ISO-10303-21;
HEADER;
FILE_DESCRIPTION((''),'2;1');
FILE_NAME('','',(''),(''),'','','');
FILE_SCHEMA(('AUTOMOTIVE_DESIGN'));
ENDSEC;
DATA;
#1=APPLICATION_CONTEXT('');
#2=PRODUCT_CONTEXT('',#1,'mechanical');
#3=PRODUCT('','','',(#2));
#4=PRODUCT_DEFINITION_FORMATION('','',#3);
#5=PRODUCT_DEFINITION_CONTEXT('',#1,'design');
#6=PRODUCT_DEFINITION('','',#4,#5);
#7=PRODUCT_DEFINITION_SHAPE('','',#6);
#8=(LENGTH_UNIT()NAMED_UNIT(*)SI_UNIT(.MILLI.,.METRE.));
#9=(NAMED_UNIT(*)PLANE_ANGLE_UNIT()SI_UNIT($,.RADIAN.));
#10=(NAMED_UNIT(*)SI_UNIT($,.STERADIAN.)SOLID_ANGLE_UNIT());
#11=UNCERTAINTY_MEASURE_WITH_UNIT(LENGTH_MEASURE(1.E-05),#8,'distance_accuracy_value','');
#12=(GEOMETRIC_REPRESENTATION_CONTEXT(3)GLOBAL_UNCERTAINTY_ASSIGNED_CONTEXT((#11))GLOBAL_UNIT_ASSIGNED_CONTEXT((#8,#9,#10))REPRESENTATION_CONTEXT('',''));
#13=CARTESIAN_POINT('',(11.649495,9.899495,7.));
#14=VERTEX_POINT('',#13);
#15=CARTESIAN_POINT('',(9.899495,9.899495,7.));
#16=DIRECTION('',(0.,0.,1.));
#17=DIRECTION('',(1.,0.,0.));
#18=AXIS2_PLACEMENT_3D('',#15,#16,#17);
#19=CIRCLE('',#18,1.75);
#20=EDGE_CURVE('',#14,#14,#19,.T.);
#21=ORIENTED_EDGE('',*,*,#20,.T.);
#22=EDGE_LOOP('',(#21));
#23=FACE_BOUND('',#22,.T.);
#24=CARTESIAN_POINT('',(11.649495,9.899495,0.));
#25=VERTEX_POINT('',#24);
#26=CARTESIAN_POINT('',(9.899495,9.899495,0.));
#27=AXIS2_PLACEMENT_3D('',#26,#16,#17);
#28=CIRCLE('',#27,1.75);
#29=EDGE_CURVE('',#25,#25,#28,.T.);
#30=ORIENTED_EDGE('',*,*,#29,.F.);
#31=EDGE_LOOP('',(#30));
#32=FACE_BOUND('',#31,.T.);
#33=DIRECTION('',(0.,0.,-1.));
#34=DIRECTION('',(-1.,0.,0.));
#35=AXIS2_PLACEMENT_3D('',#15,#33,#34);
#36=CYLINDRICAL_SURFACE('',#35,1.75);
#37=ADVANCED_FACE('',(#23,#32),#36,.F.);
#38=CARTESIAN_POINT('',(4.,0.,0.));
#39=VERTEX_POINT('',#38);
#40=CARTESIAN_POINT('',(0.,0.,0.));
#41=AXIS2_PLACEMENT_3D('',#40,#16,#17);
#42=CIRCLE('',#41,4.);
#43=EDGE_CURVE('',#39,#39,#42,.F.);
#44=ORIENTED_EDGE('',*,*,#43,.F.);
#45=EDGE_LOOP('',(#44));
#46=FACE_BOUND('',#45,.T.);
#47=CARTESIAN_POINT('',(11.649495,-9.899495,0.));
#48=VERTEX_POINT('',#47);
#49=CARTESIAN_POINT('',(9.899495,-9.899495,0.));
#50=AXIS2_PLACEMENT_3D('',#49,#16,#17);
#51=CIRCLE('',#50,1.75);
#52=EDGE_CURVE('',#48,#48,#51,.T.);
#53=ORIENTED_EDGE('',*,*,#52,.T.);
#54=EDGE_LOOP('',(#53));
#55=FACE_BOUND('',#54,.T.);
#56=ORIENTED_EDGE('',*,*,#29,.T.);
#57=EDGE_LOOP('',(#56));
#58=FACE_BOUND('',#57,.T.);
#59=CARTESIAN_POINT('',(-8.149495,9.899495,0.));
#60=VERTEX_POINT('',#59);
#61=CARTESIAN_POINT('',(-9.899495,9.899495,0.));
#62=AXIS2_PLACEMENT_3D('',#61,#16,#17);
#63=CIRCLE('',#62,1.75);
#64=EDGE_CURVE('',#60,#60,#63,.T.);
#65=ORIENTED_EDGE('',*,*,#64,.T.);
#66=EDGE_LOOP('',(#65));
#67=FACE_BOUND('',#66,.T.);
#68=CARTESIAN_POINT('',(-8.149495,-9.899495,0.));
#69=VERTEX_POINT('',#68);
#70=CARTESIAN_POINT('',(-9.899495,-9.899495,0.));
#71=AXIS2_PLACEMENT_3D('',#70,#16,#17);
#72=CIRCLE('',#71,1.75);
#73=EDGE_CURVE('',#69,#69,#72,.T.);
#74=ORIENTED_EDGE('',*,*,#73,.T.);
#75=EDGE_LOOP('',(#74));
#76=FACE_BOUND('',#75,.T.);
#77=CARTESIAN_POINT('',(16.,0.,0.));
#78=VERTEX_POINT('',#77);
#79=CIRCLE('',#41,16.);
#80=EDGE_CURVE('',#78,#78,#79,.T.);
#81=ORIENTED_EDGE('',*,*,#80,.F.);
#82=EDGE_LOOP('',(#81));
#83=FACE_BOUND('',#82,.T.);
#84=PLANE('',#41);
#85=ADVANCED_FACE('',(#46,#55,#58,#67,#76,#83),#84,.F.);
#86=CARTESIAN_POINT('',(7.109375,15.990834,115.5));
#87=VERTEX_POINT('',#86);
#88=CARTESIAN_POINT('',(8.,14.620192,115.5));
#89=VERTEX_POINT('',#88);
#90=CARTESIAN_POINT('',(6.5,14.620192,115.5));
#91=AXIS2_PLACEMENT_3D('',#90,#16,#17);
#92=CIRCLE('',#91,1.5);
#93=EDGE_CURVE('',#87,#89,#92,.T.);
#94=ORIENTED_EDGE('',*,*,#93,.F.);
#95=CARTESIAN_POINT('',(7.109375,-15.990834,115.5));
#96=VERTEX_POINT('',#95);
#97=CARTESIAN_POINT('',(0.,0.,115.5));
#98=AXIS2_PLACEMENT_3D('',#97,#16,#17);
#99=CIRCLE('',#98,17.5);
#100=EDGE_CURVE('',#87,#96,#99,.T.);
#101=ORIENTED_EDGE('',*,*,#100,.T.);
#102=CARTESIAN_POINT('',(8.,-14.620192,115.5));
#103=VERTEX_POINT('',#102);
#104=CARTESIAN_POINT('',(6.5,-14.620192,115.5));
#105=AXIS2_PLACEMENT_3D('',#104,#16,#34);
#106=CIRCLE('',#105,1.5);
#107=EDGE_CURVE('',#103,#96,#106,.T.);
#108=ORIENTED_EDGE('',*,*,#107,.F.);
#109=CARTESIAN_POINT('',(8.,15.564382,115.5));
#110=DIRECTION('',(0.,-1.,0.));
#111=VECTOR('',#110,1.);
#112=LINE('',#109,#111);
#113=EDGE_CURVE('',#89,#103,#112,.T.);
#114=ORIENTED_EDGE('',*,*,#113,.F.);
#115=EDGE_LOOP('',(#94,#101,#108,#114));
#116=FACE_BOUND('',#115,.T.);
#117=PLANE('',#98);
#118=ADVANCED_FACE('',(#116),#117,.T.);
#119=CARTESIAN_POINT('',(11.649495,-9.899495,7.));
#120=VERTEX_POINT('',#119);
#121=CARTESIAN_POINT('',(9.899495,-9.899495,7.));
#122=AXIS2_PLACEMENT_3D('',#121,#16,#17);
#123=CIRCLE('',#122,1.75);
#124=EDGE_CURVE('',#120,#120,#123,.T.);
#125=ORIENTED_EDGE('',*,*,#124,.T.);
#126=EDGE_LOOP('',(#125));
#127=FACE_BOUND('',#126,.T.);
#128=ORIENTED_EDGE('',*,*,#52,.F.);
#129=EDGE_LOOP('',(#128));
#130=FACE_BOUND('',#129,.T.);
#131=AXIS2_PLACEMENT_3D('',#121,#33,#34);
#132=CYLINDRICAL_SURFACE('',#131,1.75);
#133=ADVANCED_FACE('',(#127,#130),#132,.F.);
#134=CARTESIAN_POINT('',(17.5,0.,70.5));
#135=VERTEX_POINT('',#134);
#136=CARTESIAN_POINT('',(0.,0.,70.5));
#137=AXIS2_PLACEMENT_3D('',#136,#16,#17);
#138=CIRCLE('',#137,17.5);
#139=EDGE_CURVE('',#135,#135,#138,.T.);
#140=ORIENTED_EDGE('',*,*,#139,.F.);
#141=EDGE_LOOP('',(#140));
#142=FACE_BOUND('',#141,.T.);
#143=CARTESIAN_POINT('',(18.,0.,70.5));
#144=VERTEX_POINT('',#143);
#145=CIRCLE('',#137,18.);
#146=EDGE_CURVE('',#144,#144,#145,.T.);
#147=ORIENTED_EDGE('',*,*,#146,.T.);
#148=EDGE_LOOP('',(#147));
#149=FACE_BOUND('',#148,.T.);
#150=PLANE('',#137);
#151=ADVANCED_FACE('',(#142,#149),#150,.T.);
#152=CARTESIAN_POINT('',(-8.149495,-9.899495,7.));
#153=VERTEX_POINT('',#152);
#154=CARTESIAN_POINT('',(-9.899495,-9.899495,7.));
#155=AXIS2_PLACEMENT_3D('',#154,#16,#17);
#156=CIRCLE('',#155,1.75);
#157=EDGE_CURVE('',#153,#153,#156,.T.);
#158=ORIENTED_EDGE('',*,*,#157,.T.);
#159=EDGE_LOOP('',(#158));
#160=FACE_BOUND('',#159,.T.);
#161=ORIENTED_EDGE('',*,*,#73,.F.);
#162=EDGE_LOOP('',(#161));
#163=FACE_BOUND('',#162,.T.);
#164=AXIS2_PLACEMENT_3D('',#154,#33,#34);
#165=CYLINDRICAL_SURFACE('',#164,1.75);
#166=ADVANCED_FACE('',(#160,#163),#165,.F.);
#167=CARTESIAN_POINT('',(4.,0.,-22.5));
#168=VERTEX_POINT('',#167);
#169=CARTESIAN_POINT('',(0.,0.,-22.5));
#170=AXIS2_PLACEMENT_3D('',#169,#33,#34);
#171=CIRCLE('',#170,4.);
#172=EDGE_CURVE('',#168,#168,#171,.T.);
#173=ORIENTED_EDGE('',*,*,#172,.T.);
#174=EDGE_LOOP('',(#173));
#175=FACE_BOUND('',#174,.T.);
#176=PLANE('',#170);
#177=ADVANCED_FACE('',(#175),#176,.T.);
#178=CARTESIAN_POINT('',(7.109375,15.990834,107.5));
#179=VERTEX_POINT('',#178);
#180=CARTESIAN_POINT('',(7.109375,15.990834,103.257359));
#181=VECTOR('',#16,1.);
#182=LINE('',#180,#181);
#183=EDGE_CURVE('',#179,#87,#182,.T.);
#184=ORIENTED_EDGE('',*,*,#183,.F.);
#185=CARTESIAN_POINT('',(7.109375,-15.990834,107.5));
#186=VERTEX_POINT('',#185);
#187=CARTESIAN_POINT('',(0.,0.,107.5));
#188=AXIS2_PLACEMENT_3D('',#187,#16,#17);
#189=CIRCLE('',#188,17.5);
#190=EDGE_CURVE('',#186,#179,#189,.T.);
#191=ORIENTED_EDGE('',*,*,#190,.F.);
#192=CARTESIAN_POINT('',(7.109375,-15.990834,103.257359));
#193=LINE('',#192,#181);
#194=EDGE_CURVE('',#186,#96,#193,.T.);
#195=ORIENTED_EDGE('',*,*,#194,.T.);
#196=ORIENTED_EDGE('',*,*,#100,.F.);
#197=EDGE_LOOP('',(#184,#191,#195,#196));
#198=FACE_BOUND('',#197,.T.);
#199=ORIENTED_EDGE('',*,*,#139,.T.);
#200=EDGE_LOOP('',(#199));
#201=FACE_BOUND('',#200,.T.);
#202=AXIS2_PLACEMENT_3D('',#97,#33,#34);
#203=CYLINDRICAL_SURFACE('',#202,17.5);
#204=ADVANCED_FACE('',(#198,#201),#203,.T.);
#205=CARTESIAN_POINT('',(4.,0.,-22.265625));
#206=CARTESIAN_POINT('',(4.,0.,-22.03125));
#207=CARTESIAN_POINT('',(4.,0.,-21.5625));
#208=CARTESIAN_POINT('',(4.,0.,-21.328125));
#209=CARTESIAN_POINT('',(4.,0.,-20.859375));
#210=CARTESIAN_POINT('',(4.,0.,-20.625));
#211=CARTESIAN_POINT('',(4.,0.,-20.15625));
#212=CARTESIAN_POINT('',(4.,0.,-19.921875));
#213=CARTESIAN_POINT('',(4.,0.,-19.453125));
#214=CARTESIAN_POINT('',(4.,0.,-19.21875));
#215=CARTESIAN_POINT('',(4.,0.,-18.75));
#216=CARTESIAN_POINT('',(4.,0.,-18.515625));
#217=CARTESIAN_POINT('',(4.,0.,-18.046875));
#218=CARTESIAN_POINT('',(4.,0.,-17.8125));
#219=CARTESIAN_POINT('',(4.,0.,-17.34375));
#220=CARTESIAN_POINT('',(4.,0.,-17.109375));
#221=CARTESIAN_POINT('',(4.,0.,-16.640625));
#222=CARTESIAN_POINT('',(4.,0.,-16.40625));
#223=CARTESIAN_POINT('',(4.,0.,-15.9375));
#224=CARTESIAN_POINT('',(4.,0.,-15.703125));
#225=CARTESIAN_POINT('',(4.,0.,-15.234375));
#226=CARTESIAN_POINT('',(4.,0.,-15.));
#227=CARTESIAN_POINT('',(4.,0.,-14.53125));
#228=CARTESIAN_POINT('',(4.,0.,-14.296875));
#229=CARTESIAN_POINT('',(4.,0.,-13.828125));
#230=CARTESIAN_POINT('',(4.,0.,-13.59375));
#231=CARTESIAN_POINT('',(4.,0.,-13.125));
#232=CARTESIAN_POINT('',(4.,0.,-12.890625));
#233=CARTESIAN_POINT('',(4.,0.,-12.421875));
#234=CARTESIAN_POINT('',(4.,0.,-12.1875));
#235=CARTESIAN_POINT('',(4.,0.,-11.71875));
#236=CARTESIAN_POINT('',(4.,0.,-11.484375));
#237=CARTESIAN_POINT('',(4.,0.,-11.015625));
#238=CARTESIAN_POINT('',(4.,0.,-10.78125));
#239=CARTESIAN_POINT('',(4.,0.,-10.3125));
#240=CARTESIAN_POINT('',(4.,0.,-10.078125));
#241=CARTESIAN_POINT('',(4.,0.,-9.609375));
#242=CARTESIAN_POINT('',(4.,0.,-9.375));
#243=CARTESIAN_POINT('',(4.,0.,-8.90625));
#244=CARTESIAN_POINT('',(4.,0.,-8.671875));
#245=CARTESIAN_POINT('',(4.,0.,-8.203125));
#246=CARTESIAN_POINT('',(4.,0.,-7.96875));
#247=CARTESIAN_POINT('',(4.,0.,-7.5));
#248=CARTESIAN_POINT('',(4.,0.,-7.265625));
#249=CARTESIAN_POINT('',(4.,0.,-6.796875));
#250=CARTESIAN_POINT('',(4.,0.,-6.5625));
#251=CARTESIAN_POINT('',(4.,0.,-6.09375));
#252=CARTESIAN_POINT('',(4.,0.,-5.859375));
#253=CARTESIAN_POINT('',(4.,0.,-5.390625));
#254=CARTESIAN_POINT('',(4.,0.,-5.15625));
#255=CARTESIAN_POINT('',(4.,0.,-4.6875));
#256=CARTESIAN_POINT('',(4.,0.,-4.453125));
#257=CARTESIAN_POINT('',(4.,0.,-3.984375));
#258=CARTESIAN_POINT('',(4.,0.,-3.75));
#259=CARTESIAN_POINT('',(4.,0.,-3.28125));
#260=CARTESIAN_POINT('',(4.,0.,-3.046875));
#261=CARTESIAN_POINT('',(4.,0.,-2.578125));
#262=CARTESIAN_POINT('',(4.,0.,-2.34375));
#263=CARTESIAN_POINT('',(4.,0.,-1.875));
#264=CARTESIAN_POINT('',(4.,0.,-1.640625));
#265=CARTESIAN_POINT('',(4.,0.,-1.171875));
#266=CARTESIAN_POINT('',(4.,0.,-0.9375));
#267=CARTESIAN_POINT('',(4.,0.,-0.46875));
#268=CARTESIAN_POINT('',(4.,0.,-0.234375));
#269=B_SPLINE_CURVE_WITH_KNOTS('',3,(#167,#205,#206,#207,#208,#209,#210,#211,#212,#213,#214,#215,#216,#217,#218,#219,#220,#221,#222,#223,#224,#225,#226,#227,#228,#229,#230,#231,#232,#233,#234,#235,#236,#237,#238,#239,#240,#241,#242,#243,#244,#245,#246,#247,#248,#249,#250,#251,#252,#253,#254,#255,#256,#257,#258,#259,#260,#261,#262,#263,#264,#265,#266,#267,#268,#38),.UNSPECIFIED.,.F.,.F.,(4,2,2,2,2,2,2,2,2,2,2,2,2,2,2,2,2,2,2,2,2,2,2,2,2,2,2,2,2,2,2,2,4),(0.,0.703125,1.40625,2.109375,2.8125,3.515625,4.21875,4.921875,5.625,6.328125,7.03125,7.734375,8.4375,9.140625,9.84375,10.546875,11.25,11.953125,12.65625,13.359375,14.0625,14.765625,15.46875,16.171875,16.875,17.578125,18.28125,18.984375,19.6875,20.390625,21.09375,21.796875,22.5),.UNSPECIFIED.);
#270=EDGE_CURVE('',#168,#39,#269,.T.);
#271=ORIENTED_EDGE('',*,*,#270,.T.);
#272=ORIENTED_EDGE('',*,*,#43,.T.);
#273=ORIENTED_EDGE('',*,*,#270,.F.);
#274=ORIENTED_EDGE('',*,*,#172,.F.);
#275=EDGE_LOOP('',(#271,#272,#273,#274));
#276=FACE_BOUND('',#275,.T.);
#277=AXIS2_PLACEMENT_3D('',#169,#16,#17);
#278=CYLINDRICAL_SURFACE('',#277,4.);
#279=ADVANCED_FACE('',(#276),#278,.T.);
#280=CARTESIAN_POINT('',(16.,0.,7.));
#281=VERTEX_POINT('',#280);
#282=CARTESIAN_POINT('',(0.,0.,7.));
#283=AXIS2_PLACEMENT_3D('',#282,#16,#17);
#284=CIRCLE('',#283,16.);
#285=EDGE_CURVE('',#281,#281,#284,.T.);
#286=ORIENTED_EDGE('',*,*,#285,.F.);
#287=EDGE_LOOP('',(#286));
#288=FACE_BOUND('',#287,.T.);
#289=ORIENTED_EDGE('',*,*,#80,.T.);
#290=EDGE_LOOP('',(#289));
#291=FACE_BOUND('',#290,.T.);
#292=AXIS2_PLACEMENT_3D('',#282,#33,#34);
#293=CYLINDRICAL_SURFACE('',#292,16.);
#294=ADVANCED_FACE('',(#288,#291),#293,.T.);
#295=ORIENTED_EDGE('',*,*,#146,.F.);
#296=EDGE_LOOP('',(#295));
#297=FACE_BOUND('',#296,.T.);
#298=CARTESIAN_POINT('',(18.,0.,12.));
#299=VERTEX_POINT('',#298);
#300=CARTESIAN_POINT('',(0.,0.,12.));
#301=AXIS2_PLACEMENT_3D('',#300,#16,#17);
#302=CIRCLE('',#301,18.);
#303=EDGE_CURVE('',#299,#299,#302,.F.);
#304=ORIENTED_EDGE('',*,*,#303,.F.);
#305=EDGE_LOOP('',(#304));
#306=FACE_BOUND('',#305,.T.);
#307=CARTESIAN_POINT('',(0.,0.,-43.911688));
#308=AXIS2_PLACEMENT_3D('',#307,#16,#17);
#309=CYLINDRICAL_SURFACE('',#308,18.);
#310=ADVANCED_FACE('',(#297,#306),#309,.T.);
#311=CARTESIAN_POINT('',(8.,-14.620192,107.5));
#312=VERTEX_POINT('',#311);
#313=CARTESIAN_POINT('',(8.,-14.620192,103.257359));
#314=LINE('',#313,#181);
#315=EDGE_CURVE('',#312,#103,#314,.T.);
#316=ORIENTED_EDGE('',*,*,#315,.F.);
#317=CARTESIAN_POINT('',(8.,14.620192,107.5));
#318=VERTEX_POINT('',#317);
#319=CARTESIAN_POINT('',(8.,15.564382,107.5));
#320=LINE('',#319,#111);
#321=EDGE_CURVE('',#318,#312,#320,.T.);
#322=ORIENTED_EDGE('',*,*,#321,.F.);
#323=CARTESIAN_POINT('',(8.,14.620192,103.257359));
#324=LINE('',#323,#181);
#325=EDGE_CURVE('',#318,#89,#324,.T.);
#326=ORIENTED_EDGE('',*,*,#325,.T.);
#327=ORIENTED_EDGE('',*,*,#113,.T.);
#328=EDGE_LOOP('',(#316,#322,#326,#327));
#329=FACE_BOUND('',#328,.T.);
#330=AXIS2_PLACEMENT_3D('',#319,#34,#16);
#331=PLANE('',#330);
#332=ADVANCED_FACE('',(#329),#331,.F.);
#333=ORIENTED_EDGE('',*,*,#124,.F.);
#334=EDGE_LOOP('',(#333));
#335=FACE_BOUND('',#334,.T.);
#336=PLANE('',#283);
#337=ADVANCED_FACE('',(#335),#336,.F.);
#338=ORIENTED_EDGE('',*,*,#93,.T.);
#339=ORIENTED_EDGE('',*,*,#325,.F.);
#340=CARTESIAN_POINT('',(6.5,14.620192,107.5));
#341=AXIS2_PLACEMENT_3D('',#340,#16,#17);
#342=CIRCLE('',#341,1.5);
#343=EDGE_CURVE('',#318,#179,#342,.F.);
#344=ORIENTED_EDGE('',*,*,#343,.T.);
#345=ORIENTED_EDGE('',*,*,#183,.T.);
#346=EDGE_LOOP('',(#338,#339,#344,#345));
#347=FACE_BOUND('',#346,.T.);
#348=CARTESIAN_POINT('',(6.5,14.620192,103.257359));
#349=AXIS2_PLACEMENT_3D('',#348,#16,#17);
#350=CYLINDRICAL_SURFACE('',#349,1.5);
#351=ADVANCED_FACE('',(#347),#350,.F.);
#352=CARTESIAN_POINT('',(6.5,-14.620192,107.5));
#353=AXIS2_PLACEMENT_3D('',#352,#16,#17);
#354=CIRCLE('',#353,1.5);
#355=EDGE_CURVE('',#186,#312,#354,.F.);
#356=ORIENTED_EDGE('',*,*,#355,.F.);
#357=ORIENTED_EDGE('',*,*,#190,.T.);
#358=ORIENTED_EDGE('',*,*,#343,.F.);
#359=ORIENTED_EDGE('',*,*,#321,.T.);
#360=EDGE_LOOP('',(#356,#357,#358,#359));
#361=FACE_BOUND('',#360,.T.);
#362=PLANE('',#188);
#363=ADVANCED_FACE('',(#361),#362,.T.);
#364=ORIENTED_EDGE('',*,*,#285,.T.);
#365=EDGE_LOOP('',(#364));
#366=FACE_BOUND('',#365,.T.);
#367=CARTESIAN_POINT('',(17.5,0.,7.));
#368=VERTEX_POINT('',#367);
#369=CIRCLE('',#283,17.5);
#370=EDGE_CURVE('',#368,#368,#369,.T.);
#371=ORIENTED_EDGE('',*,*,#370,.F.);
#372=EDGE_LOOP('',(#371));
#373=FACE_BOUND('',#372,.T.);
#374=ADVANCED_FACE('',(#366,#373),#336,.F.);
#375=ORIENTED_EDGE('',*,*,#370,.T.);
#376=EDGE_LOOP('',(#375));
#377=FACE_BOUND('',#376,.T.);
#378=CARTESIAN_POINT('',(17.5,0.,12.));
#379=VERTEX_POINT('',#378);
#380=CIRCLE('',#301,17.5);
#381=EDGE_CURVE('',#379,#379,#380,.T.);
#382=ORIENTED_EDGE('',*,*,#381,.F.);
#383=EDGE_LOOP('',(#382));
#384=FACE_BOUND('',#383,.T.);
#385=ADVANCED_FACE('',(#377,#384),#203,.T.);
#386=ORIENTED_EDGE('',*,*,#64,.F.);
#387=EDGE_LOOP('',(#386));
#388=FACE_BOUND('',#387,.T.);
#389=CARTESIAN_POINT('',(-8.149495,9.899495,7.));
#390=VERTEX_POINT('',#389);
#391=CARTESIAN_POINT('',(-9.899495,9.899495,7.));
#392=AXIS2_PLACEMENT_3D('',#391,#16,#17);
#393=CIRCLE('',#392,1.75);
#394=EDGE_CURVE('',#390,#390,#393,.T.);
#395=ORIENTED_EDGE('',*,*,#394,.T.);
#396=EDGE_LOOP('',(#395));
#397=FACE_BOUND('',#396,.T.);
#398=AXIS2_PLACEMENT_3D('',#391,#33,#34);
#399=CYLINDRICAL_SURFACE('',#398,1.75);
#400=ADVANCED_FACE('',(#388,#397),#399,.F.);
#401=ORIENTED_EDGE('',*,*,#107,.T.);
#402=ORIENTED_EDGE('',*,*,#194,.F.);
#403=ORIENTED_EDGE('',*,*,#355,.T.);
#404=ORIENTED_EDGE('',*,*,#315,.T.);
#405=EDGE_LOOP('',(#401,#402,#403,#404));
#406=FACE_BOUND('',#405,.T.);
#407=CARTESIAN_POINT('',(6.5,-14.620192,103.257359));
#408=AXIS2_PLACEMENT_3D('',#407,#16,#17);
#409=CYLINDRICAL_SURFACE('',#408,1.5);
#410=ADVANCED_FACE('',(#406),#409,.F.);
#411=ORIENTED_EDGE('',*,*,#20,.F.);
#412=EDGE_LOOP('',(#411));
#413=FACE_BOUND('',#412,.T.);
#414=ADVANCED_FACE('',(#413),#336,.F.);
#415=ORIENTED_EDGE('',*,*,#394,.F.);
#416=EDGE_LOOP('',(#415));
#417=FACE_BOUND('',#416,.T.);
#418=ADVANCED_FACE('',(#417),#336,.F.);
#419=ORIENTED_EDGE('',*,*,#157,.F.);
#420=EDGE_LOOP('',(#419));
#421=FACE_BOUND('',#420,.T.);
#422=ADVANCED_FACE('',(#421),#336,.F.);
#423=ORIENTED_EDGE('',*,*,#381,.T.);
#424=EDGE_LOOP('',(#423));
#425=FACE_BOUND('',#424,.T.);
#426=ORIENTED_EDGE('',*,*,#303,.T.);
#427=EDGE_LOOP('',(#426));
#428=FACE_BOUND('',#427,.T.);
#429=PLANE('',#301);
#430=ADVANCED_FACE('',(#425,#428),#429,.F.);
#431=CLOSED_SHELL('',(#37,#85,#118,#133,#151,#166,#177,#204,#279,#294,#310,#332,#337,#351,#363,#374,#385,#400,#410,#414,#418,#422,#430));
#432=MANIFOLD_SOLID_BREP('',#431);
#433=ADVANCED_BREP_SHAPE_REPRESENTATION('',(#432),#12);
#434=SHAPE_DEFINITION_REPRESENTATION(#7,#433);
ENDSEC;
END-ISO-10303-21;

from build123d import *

# Parameters (mm, degrees)
SKETCH1_R           = 16
SKETCH1_R_2         = 1.75
SKETCH1_R_3         = 11.25
BOSS_EXTRUDE1_DEPTH = 7
SKETCH2_R           = 17.5
BOSS_EXTRUDE2_DEPTH = 108.5
SKETCH3_R           = 4
BOSS_EXTRUDE3_DEPTH = 22.5
BOSS_EXTRUDE4_START = -103.5
SKETCH4_R           = 18
SKETCH4_R_2         = 17.5
BOSS_EXTRUDE4_DEPTH = 58.5
CUT_EXTRUDE1_START  = -8
CUT_EXTRUDE1_DEPTH  = 8
CUT_EXTRUDE3_START  = -8
CUT_EXTRUDE3_DEPTH  = 8


with BuildPart() as part:
    # Sketch1 → Boss-Extrude1 (new body)
    # profile 1 of 2: a face of its own
    with BuildSketch(Plane.XY):
        Circle(SKETCH1_R)
        with Locations((9.899494937, 9.899494937)):
            Circle(SKETCH1_R_2, mode=Mode.SUBTRACT)
        with Locations((-9.899494937, 9.899494937)):
            Circle(SKETCH1_R_2, mode=Mode.SUBTRACT)
        with Locations((-9.899494937, -9.899494937)):
            Circle(SKETCH1_R_2, mode=Mode.SUBTRACT)
        with Locations((9.899494937, -9.899494937)):
            Circle(SKETCH1_R_2, mode=Mode.SUBTRACT)
        Circle(SKETCH1_R_3, mode=Mode.SUBTRACT)
    # profile 2 of 2: a face of its own
    with BuildSketch(Plane.XY):
        Circle(SKETCH1_R_3)
    extrude(amount=BOSS_EXTRUDE1_DEPTH)

    # Sketch2 → Boss-Extrude2 (add)
    with BuildSketch(Plane.XY.offset(7)):
        Circle(SKETCH2_R)
    extrude(amount=BOSS_EXTRUDE2_DEPTH)

    # Sketch3 → Boss-Extrude3 (add)
    with BuildSketch(Plane(origin=(0, 0, 0), x_dir=(-1, 0, 0), z_dir=(0, 0, -1))):
        with Locations(Location((0, 0, 0), (0, 0, 180))):
            Circle(SKETCH3_R)
    extrude(amount=BOSS_EXTRUDE3_DEPTH)

    # Sketch4 → Boss-Extrude4 (add)
    with BuildSketch(Plane.XY.offset(115.5).offset(BOSS_EXTRUDE4_START)):
        Circle(SKETCH4_R)
        Circle(SKETCH4_R_2, mode=Mode.SUBTRACT)
    extrude(amount=BOSS_EXTRUDE4_DEPTH)

    # Sketch5 → Cut-Extrude1 (cut)
    with BuildSketch(Plane.XY.offset(115.5).offset(CUT_EXTRUDE1_START)):
        with BuildLine():
            Line((8, 15.564382416), (8, -15.564382416))
            ThreePointArc((8, -15.564382416), (17.5, 0), (8, 15.564382416))
        make_face()
    extrude(amount=CUT_EXTRUDE1_DEPTH, mode=Mode.SUBTRACT)

    # Sketch6 → Cut-Extrude3 (cut)
    with BuildSketch(Plane.XY.offset(115.5).offset(CUT_EXTRUDE3_START)):
        with BuildLine():
            Line((8, 14.620191517), (8, 15.564382416))
            ThreePointArc((8, 15.564382416), (7.557695982, 15.783891518), (7.109375, 15.990834472))
            ThreePointArc((7.109375, 15.990834472), (5.242211763, 13.802897965), (8, 14.620191517))
        make_face()
        with BuildLine():
            Line((8, -15.564382416), (8, -14.620191517))
            ThreePointArc((8, -14.620191517), (5.242211763, -13.802897965), (7.109375, -15.990834472))
            ThreePointArc((7.109375, -15.990834472), (7.557695982, -15.783891518), (8, -15.564382416))
        make_face()
    extrude(amount=CUT_EXTRUDE3_DEPTH, mode=Mode.SUBTRACT)


solid = part.part
